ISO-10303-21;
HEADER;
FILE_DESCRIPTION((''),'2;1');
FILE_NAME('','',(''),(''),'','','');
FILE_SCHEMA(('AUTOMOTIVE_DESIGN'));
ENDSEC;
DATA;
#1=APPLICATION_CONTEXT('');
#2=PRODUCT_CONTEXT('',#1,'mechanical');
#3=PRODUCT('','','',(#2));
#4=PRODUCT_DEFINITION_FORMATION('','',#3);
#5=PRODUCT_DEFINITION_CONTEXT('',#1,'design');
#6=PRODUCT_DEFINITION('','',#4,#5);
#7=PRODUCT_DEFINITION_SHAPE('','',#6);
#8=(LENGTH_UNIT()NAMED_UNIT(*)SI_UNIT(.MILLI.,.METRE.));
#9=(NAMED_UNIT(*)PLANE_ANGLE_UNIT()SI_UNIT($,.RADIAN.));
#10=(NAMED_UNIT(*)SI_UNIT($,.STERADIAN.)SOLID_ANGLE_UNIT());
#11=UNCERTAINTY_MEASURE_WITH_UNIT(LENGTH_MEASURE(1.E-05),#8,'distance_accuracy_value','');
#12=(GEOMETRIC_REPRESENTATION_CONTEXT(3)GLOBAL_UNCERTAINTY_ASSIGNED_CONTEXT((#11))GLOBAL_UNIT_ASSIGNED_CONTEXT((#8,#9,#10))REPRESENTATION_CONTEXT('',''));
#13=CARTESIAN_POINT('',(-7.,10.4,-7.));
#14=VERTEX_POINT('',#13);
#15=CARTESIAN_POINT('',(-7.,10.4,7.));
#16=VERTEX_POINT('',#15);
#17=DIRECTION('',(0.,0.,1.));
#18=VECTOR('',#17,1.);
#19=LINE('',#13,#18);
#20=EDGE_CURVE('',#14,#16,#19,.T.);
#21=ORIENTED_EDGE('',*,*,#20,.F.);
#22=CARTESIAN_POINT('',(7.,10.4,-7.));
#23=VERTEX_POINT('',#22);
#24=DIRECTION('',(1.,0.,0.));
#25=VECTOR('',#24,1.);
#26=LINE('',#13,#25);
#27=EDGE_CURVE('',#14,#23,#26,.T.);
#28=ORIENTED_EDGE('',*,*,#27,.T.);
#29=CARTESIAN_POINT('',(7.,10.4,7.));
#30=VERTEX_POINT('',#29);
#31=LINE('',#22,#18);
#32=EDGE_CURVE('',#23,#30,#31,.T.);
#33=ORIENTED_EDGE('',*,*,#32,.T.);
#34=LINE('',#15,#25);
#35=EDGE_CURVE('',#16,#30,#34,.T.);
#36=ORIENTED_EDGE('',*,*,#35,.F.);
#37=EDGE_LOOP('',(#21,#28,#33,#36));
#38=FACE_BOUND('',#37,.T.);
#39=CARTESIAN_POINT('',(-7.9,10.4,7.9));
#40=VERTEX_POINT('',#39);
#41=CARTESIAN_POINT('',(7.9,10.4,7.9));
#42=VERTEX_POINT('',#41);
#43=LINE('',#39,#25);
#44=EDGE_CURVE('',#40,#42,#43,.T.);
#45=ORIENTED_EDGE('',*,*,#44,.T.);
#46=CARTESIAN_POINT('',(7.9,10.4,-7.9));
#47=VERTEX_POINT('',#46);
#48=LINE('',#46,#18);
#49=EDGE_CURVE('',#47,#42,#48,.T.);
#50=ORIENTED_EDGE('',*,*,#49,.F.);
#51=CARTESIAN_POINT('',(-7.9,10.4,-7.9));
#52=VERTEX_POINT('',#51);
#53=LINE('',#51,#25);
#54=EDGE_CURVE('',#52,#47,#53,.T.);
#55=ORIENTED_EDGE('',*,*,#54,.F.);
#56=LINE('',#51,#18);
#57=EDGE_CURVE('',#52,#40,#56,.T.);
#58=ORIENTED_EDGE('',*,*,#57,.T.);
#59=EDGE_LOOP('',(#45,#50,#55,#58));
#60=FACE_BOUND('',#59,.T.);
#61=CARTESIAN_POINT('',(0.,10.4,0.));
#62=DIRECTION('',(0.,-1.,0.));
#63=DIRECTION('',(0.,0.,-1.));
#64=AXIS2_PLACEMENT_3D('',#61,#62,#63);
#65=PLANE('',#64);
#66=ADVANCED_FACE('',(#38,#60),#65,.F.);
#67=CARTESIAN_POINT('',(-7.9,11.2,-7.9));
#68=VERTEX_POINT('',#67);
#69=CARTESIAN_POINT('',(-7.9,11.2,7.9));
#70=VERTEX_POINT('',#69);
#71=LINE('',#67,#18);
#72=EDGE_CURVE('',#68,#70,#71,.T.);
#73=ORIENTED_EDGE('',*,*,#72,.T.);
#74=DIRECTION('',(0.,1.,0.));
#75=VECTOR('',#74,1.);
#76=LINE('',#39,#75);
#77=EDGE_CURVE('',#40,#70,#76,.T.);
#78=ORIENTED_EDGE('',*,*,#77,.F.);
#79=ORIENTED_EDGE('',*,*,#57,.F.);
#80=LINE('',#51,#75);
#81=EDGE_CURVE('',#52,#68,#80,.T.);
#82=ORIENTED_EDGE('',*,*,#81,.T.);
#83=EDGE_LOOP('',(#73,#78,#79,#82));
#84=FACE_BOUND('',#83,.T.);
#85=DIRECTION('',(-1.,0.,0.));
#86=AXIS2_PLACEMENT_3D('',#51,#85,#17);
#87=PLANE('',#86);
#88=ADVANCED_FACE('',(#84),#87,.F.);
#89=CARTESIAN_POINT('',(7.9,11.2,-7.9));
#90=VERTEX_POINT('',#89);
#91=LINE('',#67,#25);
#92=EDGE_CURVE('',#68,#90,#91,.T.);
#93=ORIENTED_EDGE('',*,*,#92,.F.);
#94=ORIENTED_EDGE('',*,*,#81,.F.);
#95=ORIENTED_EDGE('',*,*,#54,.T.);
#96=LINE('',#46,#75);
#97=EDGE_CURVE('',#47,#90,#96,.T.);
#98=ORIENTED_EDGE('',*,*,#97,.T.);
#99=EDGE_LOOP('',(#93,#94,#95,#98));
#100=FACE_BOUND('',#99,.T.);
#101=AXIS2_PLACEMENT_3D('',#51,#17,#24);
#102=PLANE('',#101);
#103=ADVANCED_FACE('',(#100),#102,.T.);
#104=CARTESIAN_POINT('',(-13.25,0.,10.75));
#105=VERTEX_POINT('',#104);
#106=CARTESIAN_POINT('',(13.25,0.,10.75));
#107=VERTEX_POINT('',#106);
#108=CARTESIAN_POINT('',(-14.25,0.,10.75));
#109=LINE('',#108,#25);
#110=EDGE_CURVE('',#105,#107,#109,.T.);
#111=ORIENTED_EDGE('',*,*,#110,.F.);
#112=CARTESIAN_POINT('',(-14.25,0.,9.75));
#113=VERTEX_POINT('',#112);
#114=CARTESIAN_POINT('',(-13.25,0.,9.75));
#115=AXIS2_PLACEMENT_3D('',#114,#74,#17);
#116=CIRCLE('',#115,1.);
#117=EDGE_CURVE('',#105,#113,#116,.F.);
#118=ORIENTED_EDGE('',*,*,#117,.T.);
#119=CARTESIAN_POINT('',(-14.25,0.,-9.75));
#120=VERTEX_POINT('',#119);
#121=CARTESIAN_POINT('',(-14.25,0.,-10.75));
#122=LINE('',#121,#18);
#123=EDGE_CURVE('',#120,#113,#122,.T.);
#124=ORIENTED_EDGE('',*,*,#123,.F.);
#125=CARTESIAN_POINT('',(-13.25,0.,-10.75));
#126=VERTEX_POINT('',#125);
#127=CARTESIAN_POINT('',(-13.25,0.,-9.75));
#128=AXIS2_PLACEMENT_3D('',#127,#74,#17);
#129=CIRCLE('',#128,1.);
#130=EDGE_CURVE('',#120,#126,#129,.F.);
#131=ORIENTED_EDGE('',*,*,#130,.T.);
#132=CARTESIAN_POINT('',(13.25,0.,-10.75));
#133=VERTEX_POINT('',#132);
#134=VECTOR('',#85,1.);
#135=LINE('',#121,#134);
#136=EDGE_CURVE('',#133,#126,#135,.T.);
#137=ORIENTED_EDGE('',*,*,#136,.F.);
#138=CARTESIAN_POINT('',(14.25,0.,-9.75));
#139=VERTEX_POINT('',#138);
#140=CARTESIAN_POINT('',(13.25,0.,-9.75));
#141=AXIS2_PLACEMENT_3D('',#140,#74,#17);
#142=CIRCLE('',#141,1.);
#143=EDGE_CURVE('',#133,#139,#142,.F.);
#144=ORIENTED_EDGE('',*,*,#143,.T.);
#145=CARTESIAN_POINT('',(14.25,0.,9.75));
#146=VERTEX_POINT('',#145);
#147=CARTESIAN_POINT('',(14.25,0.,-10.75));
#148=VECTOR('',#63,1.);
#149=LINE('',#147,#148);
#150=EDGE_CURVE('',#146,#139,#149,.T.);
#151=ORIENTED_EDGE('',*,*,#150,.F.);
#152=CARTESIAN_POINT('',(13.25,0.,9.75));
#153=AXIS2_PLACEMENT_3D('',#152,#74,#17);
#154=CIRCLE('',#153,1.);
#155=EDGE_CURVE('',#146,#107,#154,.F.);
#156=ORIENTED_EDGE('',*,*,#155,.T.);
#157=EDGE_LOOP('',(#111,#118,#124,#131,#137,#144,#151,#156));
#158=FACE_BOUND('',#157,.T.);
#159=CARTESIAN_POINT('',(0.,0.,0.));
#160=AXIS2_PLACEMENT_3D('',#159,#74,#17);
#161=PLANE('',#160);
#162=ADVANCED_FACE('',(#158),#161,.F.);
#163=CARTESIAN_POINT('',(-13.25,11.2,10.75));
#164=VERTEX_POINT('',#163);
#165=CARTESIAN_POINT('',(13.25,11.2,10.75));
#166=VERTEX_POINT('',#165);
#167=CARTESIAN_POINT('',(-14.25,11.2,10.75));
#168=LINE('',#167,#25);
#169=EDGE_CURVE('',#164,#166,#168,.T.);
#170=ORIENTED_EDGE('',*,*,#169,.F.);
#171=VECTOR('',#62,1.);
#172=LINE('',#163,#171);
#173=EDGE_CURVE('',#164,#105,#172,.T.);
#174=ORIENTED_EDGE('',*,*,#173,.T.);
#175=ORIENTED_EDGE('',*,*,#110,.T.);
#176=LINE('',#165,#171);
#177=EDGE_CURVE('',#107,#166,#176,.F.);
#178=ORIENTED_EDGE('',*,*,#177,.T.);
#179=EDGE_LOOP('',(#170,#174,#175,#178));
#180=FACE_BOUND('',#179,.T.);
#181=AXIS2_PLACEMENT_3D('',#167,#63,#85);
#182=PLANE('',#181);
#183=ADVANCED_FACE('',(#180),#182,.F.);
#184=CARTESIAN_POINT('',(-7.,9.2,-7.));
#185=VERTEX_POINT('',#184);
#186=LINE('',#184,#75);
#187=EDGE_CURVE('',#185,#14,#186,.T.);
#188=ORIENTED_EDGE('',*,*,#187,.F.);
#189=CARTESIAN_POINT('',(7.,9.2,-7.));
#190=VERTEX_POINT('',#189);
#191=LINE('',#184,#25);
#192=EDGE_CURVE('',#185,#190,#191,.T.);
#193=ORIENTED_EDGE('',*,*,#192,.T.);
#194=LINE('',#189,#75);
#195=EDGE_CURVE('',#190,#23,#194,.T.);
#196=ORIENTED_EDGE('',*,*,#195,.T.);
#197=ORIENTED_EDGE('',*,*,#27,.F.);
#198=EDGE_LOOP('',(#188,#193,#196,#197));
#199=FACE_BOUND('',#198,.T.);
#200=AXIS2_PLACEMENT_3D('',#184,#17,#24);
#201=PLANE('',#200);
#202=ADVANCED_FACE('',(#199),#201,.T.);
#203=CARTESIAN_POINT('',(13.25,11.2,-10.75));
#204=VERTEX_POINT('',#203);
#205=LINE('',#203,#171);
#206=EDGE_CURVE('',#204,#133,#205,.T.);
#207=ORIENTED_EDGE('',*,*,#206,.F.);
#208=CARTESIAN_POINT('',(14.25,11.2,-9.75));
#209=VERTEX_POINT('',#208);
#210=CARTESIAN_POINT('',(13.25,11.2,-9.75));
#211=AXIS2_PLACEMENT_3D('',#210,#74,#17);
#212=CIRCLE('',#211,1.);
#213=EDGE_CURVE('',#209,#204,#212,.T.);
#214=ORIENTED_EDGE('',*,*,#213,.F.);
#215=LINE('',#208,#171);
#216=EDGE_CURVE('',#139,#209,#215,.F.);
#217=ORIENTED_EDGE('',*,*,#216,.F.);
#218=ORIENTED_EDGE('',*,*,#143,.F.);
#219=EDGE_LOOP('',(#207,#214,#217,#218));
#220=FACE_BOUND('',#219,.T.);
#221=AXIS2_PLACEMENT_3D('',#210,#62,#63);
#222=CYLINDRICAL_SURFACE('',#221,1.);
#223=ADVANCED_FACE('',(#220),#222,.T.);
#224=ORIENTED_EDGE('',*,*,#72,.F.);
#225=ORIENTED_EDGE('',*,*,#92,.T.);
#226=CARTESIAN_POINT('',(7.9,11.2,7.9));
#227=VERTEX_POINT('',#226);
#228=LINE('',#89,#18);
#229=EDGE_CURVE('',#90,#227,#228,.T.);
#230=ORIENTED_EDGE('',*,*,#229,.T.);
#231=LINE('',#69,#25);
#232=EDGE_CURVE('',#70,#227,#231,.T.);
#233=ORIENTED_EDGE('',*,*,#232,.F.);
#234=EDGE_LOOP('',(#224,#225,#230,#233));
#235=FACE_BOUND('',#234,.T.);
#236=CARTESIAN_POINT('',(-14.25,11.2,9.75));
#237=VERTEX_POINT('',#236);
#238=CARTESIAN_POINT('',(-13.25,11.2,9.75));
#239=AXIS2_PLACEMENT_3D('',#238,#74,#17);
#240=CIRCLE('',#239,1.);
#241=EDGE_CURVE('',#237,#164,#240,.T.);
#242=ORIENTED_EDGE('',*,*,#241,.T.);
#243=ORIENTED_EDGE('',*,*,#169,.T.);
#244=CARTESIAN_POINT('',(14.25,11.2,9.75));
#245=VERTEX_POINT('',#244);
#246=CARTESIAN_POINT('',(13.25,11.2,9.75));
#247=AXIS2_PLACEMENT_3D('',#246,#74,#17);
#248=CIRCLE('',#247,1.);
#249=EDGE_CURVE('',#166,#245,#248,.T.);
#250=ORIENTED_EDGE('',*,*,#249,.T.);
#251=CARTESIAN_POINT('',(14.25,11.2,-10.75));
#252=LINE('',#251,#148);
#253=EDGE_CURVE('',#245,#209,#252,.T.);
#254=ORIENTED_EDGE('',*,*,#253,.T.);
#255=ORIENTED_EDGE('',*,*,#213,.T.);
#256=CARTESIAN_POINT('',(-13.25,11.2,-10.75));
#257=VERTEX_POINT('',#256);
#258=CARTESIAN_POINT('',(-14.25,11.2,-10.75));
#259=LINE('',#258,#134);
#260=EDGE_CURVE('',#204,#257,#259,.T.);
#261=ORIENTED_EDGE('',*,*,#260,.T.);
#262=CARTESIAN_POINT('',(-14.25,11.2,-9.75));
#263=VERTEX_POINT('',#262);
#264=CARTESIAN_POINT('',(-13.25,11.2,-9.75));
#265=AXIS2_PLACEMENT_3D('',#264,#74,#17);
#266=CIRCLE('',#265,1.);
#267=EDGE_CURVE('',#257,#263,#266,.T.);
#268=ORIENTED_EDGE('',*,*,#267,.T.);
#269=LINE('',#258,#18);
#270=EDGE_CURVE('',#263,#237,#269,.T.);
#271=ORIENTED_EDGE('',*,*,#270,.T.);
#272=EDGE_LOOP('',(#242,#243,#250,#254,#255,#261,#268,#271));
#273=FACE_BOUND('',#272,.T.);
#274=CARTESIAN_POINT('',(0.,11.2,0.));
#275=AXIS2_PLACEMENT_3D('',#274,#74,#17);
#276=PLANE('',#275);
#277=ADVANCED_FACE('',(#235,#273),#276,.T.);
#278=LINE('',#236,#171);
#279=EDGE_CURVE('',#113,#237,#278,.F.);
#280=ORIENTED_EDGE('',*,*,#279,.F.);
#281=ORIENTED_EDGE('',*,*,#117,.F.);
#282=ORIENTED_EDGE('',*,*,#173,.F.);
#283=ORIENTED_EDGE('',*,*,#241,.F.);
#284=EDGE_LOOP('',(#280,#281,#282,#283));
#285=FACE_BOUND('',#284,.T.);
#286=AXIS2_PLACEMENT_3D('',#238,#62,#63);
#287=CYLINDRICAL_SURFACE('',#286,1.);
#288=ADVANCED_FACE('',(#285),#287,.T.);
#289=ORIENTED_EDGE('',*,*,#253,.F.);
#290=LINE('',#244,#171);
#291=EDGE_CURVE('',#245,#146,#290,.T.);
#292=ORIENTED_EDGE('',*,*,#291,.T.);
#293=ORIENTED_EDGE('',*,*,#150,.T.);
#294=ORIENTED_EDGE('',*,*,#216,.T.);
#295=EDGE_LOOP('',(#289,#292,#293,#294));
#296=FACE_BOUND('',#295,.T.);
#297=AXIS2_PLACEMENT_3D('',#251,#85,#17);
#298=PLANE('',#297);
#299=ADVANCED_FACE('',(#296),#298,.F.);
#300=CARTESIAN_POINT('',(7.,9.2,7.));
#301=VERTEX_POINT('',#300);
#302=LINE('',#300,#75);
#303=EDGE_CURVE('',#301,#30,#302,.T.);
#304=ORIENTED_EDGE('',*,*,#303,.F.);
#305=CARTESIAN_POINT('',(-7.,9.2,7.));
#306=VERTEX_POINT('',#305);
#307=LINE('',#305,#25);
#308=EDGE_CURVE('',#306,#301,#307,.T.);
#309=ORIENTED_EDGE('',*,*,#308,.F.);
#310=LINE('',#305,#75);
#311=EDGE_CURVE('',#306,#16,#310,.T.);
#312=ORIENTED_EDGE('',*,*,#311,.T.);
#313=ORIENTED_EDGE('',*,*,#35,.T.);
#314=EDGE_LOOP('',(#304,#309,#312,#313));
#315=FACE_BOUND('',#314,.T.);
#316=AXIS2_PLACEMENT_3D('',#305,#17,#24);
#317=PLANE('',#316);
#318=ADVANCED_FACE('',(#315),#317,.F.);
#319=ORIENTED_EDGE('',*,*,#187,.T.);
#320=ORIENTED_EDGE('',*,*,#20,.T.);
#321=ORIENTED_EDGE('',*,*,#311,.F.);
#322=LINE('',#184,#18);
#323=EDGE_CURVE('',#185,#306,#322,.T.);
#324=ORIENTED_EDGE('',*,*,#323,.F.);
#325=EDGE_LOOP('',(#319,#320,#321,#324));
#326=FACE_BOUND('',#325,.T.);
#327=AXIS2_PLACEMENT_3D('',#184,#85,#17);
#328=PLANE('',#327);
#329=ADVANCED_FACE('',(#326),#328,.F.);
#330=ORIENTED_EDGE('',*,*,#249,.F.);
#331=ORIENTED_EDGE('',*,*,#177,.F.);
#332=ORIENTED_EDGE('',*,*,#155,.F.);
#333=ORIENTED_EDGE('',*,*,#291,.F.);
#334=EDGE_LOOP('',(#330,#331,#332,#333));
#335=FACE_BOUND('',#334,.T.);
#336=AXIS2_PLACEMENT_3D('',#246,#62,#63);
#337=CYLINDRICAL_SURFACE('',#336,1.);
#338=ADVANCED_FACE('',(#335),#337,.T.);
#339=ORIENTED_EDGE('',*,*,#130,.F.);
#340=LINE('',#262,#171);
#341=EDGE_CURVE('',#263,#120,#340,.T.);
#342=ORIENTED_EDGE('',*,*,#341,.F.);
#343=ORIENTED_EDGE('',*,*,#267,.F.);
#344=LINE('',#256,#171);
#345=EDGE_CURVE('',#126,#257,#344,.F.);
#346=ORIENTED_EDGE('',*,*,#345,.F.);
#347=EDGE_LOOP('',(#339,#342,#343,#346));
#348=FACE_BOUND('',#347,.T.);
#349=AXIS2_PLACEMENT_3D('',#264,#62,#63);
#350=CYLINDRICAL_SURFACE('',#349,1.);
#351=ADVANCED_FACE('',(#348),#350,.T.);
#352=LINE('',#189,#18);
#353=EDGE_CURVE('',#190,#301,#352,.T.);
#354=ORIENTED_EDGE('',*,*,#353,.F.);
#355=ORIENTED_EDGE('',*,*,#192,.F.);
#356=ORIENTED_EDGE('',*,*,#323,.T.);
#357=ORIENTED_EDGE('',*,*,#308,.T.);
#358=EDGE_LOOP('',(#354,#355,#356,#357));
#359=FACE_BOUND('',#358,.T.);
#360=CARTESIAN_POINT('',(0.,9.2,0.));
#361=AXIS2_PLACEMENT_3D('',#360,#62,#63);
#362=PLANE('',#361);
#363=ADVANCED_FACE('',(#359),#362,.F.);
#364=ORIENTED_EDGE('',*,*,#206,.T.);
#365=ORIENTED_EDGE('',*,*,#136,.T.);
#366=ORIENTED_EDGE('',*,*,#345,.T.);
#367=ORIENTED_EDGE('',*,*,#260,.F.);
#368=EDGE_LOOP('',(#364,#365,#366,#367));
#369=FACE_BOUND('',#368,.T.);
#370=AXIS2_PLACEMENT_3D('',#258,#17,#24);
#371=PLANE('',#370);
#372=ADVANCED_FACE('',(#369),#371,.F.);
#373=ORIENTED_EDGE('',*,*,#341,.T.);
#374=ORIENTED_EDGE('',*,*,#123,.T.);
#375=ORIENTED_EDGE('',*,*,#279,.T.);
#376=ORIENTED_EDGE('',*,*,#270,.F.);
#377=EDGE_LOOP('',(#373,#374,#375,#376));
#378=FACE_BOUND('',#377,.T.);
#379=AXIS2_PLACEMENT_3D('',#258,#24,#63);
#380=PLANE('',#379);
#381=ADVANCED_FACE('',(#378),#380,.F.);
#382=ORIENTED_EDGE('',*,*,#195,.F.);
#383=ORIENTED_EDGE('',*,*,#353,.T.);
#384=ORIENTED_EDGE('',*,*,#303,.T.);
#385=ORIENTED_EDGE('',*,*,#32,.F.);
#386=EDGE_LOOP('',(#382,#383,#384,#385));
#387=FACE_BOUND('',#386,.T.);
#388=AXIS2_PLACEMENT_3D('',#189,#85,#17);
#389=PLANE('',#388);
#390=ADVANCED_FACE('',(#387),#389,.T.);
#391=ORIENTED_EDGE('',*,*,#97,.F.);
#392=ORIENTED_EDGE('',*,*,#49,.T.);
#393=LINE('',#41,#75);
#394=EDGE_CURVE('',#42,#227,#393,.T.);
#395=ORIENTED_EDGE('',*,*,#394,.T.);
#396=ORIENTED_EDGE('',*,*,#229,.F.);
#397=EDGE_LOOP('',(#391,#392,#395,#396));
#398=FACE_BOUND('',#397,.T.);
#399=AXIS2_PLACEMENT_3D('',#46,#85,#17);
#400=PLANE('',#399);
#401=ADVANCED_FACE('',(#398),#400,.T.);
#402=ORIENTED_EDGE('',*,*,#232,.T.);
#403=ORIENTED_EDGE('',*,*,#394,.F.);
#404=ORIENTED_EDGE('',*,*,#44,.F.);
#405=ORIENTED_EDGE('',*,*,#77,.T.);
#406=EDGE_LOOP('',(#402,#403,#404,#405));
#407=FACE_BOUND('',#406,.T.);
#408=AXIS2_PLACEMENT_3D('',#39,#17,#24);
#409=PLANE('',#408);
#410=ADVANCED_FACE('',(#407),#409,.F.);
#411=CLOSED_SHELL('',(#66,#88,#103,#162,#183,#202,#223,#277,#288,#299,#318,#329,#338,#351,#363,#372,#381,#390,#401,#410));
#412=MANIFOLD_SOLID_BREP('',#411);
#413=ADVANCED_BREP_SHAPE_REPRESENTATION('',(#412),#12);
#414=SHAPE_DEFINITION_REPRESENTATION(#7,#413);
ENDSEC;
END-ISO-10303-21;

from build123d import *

# Parameters (mm, degrees)
SKETCH_1_W          = 28.5
SKETCH_1_H          = 21.5
EXTRUDE_1_DEPTH     = 11.2
FILLET_1_R          = 1
SKETCH_3_W          = 14
SKETCH_3_H          = 14
CUT_EXTRUDE_2_DEPTH = 2
SKETCH_4_W          = 15.8
SKETCH_4_H          = 15.8
CUT_EXTRUDE_3_DEPTH = 0.8


with BuildPart() as part:
    # 草图1 → 凸台-拉伸1 (new body)
    with BuildSketch(Plane(origin=(0, 0, 0), x_dir=(1, 0, 0), z_dir=(0, 1, 0))):
        Rectangle(SKETCH_1_W, SKETCH_1_H)
    extrude(amount=EXTRUDE_1_DEPTH)

    # 圆角1
    fillet_1_edges = [part.edges().sort_by_distance(p)[0] for p in [
        (14.25, 5.6, 10.75),
        (-14.25, 5.6, 10.75),
        (-14.25, 5.6, -10.75),
        (14.25, 5.6, -10.75),
    ]]
    fillet(fillet_1_edges, radius=FILLET_1_R)

    # 草图3 → 切除-拉伸2 (cut)
    with BuildSketch(Plane(origin=(0, 11.2, 0), x_dir=(1, 0, 0), z_dir=(0, 1, 0))):
        Rectangle(SKETCH_3_W, SKETCH_3_H)
    extrude(amount=-CUT_EXTRUDE_2_DEPTH, mode=Mode.SUBTRACT)

    # 草图4 → 切除-拉伸3 (cut)
    with BuildSketch(Plane(origin=(0, 11.2, 0), x_dir=(1, 0, 0), z_dir=(0, 1, 0))):
        Rectangle(SKETCH_4_W, SKETCH_4_H)
    extrude(amount=-CUT_EXTRUDE_3_DEPTH, mode=Mode.SUBTRACT)


solid = part.part
